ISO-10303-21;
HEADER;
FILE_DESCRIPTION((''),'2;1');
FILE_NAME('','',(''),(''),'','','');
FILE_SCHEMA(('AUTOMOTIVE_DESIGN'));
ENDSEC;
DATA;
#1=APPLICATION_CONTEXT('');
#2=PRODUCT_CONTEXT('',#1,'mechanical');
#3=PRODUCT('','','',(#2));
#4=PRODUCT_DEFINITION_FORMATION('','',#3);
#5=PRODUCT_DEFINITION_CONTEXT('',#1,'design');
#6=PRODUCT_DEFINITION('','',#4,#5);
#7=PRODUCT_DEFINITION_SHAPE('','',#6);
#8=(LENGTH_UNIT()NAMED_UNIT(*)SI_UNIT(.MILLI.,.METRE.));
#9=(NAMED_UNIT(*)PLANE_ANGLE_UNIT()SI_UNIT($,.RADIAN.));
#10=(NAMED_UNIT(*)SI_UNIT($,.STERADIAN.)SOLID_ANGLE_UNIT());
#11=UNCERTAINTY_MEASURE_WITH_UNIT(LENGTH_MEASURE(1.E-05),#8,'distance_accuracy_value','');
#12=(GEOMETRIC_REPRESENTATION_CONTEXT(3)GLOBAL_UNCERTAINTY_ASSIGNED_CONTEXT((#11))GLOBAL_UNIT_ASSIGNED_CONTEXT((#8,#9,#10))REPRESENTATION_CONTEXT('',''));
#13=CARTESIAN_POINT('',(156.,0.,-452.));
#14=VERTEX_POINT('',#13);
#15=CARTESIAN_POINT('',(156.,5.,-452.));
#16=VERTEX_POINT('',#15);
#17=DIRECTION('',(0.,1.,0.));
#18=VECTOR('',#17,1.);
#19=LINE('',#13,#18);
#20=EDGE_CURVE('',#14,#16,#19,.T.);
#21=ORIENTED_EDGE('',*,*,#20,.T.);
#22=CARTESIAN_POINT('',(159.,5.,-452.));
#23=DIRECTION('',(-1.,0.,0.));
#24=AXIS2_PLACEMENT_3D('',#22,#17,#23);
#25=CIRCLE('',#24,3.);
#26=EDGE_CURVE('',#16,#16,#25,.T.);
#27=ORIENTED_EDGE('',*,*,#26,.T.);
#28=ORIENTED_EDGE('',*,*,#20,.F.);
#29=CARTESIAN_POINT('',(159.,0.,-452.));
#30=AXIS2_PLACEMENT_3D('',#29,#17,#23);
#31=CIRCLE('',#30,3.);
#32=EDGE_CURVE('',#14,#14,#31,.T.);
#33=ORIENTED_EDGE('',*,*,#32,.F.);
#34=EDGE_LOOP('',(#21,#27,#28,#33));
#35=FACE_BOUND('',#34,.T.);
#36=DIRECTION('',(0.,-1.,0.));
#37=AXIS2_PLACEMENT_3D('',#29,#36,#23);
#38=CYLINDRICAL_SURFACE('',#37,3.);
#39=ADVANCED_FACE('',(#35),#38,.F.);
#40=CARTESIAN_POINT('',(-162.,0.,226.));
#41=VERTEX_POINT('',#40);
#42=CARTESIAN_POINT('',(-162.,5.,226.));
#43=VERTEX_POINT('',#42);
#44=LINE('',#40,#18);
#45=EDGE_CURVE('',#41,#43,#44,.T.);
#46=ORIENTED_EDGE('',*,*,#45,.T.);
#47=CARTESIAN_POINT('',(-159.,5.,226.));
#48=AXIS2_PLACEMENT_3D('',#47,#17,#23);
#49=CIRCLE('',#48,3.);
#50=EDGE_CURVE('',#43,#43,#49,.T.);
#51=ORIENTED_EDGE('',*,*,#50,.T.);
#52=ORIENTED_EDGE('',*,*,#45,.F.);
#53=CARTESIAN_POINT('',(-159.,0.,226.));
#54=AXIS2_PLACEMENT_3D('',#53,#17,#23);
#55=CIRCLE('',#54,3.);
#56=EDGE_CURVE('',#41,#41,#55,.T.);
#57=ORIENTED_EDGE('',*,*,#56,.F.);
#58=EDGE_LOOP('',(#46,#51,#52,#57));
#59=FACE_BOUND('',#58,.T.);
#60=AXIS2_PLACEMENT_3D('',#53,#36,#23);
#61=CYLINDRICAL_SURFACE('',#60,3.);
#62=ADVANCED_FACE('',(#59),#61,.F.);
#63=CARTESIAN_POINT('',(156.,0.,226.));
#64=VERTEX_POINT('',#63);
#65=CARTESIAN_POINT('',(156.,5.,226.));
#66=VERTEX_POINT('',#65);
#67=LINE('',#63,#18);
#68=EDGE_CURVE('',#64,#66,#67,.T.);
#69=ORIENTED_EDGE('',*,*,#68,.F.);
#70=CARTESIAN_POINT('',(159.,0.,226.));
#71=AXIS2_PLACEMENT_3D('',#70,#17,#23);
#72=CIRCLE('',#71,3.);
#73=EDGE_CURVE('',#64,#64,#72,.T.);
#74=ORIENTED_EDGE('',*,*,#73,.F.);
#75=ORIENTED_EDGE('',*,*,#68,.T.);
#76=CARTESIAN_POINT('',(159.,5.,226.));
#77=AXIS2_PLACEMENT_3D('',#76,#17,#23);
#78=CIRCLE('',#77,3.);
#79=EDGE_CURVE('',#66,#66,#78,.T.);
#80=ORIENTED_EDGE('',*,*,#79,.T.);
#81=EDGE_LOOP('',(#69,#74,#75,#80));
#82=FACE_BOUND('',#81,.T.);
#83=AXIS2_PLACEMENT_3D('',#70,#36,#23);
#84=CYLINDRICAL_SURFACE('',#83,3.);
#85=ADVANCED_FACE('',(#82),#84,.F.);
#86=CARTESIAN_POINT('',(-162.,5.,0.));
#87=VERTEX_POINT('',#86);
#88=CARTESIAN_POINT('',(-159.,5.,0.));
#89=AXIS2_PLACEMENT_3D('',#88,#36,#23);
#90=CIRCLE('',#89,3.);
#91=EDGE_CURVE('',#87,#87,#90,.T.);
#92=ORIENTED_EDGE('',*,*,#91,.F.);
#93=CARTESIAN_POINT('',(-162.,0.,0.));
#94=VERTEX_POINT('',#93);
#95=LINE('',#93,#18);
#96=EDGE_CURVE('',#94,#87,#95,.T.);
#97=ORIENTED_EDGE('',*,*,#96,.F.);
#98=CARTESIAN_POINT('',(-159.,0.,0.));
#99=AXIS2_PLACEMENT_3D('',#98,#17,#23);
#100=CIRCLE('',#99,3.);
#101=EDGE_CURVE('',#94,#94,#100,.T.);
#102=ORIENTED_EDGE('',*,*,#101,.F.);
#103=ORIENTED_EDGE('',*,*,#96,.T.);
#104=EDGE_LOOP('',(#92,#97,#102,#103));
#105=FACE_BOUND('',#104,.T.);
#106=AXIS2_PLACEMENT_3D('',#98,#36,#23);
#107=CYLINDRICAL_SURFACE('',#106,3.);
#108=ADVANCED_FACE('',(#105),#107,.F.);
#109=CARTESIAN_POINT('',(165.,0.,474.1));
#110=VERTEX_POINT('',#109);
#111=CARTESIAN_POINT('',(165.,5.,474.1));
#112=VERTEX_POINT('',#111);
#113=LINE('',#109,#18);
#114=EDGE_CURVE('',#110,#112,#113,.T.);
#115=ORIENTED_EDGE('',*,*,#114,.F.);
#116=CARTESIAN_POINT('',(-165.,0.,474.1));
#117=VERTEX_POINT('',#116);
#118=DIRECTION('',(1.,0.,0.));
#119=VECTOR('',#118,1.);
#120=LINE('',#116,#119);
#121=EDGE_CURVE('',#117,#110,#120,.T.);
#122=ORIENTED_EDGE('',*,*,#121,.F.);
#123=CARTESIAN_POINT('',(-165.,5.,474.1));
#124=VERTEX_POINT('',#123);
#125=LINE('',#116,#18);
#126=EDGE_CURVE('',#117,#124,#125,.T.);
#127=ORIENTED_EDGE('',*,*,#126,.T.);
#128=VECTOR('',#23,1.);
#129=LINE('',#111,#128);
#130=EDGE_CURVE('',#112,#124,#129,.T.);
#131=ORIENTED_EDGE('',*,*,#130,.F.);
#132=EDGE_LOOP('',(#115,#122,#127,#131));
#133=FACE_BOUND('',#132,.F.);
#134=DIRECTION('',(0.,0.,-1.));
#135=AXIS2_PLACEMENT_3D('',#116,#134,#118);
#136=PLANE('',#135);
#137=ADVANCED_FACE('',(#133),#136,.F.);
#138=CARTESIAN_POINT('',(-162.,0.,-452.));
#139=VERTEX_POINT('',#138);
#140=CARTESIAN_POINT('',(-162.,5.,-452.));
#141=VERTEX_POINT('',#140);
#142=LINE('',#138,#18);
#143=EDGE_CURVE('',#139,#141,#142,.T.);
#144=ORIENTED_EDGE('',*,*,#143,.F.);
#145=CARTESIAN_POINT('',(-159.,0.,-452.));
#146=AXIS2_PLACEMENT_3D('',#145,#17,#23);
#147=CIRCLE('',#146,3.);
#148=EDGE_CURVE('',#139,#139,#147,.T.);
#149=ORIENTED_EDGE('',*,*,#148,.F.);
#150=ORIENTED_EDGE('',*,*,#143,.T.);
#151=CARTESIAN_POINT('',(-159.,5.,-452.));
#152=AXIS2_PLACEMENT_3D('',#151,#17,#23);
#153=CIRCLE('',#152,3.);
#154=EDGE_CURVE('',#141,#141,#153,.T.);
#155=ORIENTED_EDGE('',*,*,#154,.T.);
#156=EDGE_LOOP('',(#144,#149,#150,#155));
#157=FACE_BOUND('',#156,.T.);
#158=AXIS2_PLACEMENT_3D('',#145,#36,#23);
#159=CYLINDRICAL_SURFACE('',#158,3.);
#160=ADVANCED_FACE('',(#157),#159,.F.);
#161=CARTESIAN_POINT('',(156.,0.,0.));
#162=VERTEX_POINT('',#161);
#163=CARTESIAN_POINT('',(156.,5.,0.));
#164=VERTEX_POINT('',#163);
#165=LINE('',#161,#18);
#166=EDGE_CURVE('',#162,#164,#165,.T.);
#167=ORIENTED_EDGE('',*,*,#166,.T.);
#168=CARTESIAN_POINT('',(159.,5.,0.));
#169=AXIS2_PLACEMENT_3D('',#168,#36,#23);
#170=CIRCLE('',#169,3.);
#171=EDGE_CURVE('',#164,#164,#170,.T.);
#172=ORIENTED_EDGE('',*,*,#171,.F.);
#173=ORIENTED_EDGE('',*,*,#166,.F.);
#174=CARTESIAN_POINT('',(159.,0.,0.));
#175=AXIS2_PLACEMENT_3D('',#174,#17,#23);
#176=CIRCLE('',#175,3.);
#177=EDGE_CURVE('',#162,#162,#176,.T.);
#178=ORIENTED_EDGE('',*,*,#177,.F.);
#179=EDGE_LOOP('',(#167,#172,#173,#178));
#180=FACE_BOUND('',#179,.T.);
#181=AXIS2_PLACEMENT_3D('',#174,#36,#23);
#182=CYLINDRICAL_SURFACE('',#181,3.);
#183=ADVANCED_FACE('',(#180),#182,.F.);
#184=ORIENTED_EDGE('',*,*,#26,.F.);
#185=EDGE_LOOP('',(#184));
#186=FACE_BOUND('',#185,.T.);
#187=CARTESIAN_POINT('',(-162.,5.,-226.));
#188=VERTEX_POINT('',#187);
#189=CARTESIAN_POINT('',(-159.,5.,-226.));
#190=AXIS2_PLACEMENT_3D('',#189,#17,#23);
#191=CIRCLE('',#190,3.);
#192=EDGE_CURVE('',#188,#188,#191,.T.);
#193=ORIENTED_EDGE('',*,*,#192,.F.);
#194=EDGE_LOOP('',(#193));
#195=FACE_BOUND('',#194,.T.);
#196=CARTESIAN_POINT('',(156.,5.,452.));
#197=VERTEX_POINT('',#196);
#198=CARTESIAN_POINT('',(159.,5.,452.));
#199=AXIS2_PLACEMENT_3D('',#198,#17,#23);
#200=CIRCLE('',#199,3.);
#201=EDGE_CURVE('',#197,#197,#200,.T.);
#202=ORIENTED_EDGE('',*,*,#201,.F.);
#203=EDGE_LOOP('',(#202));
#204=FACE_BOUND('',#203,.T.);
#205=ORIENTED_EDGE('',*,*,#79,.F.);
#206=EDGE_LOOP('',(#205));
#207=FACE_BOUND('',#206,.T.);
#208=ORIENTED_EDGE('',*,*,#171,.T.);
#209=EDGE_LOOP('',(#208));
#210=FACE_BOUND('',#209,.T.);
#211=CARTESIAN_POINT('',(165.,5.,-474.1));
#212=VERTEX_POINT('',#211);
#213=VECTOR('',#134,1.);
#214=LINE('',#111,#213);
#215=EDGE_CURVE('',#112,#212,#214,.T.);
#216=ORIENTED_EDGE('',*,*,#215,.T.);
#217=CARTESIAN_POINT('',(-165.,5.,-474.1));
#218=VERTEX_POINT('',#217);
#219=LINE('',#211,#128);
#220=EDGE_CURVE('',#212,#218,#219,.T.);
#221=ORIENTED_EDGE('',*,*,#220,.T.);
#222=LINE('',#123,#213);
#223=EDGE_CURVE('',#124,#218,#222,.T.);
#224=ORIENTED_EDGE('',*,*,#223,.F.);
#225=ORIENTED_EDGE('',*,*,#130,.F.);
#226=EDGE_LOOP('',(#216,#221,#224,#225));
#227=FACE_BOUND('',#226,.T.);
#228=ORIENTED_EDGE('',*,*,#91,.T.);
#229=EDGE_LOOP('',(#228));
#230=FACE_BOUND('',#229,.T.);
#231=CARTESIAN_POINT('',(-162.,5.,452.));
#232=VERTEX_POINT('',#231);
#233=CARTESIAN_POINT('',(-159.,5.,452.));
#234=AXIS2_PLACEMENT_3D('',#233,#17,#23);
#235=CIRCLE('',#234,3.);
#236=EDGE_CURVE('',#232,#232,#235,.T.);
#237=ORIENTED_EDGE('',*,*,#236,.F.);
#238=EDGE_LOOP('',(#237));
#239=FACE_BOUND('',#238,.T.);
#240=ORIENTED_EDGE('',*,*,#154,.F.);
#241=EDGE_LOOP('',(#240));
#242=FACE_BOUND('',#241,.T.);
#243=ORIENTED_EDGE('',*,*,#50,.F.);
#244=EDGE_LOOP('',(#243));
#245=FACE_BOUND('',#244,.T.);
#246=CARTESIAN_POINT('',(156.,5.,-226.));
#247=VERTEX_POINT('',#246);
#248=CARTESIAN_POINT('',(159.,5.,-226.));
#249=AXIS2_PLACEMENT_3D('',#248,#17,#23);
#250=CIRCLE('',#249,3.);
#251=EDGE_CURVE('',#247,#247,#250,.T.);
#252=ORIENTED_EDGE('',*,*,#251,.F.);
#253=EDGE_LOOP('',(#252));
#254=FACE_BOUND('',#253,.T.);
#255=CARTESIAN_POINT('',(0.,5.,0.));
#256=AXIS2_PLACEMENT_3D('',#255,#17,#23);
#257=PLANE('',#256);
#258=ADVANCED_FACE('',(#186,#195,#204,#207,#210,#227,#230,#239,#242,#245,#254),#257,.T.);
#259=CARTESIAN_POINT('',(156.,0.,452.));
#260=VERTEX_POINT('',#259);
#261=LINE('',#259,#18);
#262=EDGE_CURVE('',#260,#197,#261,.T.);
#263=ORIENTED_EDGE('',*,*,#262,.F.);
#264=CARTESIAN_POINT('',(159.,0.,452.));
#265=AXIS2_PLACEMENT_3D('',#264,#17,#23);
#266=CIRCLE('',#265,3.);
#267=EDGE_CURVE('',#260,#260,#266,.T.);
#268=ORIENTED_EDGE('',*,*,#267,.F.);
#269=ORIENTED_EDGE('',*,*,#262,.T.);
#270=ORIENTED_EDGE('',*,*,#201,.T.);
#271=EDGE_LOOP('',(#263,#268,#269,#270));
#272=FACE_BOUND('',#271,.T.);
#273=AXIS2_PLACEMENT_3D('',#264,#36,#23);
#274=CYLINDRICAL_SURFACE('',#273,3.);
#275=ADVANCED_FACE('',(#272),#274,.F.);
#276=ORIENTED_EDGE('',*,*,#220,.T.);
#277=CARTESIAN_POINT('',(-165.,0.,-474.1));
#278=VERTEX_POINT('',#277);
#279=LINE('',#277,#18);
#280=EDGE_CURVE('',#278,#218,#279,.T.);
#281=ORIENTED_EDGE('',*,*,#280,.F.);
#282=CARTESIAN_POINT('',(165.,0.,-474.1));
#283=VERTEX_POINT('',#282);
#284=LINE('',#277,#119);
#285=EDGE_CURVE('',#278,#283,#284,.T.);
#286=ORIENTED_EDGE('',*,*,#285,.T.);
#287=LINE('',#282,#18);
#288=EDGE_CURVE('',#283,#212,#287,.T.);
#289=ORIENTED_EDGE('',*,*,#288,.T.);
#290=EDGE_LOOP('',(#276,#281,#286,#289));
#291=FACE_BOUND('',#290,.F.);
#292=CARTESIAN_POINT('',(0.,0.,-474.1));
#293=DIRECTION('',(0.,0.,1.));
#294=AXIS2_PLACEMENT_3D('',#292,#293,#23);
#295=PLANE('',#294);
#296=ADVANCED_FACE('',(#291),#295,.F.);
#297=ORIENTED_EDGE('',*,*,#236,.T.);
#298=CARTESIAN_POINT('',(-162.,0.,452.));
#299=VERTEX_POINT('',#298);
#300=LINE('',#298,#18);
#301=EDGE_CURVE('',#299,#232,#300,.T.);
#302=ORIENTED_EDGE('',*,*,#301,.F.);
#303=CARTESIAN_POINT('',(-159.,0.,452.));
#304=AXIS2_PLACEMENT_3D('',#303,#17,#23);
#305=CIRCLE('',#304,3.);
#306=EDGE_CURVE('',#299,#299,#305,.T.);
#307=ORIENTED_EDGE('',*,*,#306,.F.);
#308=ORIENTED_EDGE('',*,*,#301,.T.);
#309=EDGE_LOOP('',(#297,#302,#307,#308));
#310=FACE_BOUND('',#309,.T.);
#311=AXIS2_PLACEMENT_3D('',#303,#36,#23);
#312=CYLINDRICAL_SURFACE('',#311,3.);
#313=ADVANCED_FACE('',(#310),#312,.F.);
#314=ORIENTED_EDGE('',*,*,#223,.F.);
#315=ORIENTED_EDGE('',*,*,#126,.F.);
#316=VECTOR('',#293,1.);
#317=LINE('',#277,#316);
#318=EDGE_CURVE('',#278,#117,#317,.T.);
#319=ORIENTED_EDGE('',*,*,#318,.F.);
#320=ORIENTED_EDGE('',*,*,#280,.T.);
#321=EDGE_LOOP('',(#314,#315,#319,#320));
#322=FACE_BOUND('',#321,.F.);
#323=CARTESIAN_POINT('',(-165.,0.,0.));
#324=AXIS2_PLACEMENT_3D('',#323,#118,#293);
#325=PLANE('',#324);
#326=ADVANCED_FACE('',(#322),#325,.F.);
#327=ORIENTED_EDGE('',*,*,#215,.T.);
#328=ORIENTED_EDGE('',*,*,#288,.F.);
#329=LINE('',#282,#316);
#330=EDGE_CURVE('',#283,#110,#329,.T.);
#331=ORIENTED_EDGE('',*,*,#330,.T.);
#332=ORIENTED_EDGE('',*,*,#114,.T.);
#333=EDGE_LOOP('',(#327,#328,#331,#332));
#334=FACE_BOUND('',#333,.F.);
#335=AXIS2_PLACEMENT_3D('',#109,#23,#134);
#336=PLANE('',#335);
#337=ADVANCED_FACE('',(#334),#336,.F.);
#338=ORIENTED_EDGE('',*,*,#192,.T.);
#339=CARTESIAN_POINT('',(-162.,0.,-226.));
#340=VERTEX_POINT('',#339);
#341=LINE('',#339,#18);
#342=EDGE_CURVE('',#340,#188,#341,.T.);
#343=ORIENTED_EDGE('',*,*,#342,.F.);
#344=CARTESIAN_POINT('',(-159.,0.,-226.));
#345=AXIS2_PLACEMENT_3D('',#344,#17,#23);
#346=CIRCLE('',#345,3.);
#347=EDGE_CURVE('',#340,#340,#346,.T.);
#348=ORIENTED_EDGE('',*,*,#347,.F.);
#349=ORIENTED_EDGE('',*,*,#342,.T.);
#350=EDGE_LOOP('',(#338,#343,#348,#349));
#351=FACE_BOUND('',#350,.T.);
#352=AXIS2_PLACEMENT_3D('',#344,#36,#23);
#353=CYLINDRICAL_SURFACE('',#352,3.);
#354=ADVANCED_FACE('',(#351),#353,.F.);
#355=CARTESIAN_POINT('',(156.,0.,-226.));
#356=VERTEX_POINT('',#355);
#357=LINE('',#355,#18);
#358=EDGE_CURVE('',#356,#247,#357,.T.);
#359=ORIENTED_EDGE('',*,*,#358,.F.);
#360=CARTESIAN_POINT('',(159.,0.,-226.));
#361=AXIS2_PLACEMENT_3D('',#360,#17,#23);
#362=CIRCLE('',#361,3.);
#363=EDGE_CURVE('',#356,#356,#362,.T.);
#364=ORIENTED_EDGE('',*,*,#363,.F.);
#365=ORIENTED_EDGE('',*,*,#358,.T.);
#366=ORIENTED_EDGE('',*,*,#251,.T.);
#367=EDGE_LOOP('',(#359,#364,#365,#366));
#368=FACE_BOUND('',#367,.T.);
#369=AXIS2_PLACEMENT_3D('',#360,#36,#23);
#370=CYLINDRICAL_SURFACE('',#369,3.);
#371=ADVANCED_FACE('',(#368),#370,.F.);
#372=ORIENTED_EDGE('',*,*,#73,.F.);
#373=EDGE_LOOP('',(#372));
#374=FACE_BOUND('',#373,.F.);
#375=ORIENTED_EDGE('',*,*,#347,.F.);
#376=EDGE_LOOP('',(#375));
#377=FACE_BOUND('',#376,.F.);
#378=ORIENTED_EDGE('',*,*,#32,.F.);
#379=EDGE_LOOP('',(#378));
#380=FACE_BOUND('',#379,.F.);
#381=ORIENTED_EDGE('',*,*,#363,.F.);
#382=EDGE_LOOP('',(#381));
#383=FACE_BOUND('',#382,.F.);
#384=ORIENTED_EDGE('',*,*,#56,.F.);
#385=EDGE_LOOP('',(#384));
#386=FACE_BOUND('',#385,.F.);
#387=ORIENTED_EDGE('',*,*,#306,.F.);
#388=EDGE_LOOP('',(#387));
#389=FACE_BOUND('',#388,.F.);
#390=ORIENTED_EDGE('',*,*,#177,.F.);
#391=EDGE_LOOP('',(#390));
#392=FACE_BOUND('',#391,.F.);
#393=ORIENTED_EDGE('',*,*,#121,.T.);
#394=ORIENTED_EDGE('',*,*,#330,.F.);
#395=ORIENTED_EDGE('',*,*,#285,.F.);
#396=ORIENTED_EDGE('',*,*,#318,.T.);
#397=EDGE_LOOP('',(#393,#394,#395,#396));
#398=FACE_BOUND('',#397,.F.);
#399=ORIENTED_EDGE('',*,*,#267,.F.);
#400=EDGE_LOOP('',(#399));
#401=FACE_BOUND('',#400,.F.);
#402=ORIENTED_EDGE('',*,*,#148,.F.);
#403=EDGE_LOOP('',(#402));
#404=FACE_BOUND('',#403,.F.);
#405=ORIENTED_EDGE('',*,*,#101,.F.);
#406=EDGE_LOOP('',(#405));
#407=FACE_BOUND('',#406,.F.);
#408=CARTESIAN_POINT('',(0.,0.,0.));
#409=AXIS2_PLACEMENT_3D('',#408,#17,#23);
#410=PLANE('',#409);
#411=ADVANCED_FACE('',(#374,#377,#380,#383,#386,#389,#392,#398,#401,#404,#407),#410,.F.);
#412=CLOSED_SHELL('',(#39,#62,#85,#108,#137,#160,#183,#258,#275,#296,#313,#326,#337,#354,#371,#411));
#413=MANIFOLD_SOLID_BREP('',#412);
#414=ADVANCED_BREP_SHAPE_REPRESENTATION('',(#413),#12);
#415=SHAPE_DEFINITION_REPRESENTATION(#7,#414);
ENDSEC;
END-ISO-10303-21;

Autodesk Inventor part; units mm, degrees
ref_plane "YZ Plane" through (0, 0, 0) normal (1, 0, 0) x (0, 1, 0)
ref_plane "XZ Plane" through (0, 0, 0) normal (0, 1, 0) x (-1, 0, 0)
ref_plane "XY Plane" through (0, 0, 0) normal (0, 0, 1) x (1, 0, 0)
sketch "Sketch1" plane through (0, 0, 0) normal (0, 1, 0) x (-1, 0, 0)
  line L0 (165, 474.1) -> (-165, 474.1)
  line L1 (-165, 474.1) -> (-165, -474.1)
  line L2 (-165, -474.1) -> (165, -474.1)
  line L3 (165, -474.1) -> (165, 474.1)
  line L4 (0, -663.74) -> (0, 663.74) projected
  line L5 (-231, 0) -> (231, 0) projected
  circle A0 centre (159, -452) radius 3
  circle A1 centre (159, -226) radius 3
  circle A2 centre (159, 0) radius 3
  circle A3 centre (159, 226) radius 3
  circle A4 centre (159, 452) radius 3
  circle A5 centre (-159, -452) radius 3
  circle A6 centre (-159, -226) radius 3
  circle A7 centre (-159, 0) radius 3
  circle A8 centre (-159, 226) radius 3
  circle A9 centre (-159, 452) radius 3
  point P0 (0, 0)
  point P1 (156, 0)
  point P2 (162, 0)
  point P3 (165, 0)
  point P4 (-165, 0)
  point P5 (-162, 0)
  point P6 (-156, 0)
  dimension "d0" = 948.2
  dimension "d1" = 330
  dimension "d4" = 6
  dimension "d5" = 6
  dimension "d6" = 6
  dimension "d7" = 6
  dimension "d8" = 6
  dimension "d9" = 6
  dimension "d10" = 6
  dimension "d11" = 6
  dimension "d12" = 6
  dimension "d13" = 6
  dimension "d14" = 6
  dimension "d15" = 22.1
  dimension "d16" = 22.1
  dimension "d17" = 226
  dimension "d19" = 226
  dimension "d20" = 226
  dimension "d21" = 226
  dimension "d22" = 226
  dimension "d23" = 226
  dimension "d24" = 226
  dimension "d25" = 226
extrude "Extrusion1" add sketch "Sketch1" along normal blind 5 contours L3 L5 A2 L4 L0 | L4 L5 A7 L1 L0 | L3 L2 L4 L5 A2 | L4 L2 L1 L5 A7
properties part number "Base"
